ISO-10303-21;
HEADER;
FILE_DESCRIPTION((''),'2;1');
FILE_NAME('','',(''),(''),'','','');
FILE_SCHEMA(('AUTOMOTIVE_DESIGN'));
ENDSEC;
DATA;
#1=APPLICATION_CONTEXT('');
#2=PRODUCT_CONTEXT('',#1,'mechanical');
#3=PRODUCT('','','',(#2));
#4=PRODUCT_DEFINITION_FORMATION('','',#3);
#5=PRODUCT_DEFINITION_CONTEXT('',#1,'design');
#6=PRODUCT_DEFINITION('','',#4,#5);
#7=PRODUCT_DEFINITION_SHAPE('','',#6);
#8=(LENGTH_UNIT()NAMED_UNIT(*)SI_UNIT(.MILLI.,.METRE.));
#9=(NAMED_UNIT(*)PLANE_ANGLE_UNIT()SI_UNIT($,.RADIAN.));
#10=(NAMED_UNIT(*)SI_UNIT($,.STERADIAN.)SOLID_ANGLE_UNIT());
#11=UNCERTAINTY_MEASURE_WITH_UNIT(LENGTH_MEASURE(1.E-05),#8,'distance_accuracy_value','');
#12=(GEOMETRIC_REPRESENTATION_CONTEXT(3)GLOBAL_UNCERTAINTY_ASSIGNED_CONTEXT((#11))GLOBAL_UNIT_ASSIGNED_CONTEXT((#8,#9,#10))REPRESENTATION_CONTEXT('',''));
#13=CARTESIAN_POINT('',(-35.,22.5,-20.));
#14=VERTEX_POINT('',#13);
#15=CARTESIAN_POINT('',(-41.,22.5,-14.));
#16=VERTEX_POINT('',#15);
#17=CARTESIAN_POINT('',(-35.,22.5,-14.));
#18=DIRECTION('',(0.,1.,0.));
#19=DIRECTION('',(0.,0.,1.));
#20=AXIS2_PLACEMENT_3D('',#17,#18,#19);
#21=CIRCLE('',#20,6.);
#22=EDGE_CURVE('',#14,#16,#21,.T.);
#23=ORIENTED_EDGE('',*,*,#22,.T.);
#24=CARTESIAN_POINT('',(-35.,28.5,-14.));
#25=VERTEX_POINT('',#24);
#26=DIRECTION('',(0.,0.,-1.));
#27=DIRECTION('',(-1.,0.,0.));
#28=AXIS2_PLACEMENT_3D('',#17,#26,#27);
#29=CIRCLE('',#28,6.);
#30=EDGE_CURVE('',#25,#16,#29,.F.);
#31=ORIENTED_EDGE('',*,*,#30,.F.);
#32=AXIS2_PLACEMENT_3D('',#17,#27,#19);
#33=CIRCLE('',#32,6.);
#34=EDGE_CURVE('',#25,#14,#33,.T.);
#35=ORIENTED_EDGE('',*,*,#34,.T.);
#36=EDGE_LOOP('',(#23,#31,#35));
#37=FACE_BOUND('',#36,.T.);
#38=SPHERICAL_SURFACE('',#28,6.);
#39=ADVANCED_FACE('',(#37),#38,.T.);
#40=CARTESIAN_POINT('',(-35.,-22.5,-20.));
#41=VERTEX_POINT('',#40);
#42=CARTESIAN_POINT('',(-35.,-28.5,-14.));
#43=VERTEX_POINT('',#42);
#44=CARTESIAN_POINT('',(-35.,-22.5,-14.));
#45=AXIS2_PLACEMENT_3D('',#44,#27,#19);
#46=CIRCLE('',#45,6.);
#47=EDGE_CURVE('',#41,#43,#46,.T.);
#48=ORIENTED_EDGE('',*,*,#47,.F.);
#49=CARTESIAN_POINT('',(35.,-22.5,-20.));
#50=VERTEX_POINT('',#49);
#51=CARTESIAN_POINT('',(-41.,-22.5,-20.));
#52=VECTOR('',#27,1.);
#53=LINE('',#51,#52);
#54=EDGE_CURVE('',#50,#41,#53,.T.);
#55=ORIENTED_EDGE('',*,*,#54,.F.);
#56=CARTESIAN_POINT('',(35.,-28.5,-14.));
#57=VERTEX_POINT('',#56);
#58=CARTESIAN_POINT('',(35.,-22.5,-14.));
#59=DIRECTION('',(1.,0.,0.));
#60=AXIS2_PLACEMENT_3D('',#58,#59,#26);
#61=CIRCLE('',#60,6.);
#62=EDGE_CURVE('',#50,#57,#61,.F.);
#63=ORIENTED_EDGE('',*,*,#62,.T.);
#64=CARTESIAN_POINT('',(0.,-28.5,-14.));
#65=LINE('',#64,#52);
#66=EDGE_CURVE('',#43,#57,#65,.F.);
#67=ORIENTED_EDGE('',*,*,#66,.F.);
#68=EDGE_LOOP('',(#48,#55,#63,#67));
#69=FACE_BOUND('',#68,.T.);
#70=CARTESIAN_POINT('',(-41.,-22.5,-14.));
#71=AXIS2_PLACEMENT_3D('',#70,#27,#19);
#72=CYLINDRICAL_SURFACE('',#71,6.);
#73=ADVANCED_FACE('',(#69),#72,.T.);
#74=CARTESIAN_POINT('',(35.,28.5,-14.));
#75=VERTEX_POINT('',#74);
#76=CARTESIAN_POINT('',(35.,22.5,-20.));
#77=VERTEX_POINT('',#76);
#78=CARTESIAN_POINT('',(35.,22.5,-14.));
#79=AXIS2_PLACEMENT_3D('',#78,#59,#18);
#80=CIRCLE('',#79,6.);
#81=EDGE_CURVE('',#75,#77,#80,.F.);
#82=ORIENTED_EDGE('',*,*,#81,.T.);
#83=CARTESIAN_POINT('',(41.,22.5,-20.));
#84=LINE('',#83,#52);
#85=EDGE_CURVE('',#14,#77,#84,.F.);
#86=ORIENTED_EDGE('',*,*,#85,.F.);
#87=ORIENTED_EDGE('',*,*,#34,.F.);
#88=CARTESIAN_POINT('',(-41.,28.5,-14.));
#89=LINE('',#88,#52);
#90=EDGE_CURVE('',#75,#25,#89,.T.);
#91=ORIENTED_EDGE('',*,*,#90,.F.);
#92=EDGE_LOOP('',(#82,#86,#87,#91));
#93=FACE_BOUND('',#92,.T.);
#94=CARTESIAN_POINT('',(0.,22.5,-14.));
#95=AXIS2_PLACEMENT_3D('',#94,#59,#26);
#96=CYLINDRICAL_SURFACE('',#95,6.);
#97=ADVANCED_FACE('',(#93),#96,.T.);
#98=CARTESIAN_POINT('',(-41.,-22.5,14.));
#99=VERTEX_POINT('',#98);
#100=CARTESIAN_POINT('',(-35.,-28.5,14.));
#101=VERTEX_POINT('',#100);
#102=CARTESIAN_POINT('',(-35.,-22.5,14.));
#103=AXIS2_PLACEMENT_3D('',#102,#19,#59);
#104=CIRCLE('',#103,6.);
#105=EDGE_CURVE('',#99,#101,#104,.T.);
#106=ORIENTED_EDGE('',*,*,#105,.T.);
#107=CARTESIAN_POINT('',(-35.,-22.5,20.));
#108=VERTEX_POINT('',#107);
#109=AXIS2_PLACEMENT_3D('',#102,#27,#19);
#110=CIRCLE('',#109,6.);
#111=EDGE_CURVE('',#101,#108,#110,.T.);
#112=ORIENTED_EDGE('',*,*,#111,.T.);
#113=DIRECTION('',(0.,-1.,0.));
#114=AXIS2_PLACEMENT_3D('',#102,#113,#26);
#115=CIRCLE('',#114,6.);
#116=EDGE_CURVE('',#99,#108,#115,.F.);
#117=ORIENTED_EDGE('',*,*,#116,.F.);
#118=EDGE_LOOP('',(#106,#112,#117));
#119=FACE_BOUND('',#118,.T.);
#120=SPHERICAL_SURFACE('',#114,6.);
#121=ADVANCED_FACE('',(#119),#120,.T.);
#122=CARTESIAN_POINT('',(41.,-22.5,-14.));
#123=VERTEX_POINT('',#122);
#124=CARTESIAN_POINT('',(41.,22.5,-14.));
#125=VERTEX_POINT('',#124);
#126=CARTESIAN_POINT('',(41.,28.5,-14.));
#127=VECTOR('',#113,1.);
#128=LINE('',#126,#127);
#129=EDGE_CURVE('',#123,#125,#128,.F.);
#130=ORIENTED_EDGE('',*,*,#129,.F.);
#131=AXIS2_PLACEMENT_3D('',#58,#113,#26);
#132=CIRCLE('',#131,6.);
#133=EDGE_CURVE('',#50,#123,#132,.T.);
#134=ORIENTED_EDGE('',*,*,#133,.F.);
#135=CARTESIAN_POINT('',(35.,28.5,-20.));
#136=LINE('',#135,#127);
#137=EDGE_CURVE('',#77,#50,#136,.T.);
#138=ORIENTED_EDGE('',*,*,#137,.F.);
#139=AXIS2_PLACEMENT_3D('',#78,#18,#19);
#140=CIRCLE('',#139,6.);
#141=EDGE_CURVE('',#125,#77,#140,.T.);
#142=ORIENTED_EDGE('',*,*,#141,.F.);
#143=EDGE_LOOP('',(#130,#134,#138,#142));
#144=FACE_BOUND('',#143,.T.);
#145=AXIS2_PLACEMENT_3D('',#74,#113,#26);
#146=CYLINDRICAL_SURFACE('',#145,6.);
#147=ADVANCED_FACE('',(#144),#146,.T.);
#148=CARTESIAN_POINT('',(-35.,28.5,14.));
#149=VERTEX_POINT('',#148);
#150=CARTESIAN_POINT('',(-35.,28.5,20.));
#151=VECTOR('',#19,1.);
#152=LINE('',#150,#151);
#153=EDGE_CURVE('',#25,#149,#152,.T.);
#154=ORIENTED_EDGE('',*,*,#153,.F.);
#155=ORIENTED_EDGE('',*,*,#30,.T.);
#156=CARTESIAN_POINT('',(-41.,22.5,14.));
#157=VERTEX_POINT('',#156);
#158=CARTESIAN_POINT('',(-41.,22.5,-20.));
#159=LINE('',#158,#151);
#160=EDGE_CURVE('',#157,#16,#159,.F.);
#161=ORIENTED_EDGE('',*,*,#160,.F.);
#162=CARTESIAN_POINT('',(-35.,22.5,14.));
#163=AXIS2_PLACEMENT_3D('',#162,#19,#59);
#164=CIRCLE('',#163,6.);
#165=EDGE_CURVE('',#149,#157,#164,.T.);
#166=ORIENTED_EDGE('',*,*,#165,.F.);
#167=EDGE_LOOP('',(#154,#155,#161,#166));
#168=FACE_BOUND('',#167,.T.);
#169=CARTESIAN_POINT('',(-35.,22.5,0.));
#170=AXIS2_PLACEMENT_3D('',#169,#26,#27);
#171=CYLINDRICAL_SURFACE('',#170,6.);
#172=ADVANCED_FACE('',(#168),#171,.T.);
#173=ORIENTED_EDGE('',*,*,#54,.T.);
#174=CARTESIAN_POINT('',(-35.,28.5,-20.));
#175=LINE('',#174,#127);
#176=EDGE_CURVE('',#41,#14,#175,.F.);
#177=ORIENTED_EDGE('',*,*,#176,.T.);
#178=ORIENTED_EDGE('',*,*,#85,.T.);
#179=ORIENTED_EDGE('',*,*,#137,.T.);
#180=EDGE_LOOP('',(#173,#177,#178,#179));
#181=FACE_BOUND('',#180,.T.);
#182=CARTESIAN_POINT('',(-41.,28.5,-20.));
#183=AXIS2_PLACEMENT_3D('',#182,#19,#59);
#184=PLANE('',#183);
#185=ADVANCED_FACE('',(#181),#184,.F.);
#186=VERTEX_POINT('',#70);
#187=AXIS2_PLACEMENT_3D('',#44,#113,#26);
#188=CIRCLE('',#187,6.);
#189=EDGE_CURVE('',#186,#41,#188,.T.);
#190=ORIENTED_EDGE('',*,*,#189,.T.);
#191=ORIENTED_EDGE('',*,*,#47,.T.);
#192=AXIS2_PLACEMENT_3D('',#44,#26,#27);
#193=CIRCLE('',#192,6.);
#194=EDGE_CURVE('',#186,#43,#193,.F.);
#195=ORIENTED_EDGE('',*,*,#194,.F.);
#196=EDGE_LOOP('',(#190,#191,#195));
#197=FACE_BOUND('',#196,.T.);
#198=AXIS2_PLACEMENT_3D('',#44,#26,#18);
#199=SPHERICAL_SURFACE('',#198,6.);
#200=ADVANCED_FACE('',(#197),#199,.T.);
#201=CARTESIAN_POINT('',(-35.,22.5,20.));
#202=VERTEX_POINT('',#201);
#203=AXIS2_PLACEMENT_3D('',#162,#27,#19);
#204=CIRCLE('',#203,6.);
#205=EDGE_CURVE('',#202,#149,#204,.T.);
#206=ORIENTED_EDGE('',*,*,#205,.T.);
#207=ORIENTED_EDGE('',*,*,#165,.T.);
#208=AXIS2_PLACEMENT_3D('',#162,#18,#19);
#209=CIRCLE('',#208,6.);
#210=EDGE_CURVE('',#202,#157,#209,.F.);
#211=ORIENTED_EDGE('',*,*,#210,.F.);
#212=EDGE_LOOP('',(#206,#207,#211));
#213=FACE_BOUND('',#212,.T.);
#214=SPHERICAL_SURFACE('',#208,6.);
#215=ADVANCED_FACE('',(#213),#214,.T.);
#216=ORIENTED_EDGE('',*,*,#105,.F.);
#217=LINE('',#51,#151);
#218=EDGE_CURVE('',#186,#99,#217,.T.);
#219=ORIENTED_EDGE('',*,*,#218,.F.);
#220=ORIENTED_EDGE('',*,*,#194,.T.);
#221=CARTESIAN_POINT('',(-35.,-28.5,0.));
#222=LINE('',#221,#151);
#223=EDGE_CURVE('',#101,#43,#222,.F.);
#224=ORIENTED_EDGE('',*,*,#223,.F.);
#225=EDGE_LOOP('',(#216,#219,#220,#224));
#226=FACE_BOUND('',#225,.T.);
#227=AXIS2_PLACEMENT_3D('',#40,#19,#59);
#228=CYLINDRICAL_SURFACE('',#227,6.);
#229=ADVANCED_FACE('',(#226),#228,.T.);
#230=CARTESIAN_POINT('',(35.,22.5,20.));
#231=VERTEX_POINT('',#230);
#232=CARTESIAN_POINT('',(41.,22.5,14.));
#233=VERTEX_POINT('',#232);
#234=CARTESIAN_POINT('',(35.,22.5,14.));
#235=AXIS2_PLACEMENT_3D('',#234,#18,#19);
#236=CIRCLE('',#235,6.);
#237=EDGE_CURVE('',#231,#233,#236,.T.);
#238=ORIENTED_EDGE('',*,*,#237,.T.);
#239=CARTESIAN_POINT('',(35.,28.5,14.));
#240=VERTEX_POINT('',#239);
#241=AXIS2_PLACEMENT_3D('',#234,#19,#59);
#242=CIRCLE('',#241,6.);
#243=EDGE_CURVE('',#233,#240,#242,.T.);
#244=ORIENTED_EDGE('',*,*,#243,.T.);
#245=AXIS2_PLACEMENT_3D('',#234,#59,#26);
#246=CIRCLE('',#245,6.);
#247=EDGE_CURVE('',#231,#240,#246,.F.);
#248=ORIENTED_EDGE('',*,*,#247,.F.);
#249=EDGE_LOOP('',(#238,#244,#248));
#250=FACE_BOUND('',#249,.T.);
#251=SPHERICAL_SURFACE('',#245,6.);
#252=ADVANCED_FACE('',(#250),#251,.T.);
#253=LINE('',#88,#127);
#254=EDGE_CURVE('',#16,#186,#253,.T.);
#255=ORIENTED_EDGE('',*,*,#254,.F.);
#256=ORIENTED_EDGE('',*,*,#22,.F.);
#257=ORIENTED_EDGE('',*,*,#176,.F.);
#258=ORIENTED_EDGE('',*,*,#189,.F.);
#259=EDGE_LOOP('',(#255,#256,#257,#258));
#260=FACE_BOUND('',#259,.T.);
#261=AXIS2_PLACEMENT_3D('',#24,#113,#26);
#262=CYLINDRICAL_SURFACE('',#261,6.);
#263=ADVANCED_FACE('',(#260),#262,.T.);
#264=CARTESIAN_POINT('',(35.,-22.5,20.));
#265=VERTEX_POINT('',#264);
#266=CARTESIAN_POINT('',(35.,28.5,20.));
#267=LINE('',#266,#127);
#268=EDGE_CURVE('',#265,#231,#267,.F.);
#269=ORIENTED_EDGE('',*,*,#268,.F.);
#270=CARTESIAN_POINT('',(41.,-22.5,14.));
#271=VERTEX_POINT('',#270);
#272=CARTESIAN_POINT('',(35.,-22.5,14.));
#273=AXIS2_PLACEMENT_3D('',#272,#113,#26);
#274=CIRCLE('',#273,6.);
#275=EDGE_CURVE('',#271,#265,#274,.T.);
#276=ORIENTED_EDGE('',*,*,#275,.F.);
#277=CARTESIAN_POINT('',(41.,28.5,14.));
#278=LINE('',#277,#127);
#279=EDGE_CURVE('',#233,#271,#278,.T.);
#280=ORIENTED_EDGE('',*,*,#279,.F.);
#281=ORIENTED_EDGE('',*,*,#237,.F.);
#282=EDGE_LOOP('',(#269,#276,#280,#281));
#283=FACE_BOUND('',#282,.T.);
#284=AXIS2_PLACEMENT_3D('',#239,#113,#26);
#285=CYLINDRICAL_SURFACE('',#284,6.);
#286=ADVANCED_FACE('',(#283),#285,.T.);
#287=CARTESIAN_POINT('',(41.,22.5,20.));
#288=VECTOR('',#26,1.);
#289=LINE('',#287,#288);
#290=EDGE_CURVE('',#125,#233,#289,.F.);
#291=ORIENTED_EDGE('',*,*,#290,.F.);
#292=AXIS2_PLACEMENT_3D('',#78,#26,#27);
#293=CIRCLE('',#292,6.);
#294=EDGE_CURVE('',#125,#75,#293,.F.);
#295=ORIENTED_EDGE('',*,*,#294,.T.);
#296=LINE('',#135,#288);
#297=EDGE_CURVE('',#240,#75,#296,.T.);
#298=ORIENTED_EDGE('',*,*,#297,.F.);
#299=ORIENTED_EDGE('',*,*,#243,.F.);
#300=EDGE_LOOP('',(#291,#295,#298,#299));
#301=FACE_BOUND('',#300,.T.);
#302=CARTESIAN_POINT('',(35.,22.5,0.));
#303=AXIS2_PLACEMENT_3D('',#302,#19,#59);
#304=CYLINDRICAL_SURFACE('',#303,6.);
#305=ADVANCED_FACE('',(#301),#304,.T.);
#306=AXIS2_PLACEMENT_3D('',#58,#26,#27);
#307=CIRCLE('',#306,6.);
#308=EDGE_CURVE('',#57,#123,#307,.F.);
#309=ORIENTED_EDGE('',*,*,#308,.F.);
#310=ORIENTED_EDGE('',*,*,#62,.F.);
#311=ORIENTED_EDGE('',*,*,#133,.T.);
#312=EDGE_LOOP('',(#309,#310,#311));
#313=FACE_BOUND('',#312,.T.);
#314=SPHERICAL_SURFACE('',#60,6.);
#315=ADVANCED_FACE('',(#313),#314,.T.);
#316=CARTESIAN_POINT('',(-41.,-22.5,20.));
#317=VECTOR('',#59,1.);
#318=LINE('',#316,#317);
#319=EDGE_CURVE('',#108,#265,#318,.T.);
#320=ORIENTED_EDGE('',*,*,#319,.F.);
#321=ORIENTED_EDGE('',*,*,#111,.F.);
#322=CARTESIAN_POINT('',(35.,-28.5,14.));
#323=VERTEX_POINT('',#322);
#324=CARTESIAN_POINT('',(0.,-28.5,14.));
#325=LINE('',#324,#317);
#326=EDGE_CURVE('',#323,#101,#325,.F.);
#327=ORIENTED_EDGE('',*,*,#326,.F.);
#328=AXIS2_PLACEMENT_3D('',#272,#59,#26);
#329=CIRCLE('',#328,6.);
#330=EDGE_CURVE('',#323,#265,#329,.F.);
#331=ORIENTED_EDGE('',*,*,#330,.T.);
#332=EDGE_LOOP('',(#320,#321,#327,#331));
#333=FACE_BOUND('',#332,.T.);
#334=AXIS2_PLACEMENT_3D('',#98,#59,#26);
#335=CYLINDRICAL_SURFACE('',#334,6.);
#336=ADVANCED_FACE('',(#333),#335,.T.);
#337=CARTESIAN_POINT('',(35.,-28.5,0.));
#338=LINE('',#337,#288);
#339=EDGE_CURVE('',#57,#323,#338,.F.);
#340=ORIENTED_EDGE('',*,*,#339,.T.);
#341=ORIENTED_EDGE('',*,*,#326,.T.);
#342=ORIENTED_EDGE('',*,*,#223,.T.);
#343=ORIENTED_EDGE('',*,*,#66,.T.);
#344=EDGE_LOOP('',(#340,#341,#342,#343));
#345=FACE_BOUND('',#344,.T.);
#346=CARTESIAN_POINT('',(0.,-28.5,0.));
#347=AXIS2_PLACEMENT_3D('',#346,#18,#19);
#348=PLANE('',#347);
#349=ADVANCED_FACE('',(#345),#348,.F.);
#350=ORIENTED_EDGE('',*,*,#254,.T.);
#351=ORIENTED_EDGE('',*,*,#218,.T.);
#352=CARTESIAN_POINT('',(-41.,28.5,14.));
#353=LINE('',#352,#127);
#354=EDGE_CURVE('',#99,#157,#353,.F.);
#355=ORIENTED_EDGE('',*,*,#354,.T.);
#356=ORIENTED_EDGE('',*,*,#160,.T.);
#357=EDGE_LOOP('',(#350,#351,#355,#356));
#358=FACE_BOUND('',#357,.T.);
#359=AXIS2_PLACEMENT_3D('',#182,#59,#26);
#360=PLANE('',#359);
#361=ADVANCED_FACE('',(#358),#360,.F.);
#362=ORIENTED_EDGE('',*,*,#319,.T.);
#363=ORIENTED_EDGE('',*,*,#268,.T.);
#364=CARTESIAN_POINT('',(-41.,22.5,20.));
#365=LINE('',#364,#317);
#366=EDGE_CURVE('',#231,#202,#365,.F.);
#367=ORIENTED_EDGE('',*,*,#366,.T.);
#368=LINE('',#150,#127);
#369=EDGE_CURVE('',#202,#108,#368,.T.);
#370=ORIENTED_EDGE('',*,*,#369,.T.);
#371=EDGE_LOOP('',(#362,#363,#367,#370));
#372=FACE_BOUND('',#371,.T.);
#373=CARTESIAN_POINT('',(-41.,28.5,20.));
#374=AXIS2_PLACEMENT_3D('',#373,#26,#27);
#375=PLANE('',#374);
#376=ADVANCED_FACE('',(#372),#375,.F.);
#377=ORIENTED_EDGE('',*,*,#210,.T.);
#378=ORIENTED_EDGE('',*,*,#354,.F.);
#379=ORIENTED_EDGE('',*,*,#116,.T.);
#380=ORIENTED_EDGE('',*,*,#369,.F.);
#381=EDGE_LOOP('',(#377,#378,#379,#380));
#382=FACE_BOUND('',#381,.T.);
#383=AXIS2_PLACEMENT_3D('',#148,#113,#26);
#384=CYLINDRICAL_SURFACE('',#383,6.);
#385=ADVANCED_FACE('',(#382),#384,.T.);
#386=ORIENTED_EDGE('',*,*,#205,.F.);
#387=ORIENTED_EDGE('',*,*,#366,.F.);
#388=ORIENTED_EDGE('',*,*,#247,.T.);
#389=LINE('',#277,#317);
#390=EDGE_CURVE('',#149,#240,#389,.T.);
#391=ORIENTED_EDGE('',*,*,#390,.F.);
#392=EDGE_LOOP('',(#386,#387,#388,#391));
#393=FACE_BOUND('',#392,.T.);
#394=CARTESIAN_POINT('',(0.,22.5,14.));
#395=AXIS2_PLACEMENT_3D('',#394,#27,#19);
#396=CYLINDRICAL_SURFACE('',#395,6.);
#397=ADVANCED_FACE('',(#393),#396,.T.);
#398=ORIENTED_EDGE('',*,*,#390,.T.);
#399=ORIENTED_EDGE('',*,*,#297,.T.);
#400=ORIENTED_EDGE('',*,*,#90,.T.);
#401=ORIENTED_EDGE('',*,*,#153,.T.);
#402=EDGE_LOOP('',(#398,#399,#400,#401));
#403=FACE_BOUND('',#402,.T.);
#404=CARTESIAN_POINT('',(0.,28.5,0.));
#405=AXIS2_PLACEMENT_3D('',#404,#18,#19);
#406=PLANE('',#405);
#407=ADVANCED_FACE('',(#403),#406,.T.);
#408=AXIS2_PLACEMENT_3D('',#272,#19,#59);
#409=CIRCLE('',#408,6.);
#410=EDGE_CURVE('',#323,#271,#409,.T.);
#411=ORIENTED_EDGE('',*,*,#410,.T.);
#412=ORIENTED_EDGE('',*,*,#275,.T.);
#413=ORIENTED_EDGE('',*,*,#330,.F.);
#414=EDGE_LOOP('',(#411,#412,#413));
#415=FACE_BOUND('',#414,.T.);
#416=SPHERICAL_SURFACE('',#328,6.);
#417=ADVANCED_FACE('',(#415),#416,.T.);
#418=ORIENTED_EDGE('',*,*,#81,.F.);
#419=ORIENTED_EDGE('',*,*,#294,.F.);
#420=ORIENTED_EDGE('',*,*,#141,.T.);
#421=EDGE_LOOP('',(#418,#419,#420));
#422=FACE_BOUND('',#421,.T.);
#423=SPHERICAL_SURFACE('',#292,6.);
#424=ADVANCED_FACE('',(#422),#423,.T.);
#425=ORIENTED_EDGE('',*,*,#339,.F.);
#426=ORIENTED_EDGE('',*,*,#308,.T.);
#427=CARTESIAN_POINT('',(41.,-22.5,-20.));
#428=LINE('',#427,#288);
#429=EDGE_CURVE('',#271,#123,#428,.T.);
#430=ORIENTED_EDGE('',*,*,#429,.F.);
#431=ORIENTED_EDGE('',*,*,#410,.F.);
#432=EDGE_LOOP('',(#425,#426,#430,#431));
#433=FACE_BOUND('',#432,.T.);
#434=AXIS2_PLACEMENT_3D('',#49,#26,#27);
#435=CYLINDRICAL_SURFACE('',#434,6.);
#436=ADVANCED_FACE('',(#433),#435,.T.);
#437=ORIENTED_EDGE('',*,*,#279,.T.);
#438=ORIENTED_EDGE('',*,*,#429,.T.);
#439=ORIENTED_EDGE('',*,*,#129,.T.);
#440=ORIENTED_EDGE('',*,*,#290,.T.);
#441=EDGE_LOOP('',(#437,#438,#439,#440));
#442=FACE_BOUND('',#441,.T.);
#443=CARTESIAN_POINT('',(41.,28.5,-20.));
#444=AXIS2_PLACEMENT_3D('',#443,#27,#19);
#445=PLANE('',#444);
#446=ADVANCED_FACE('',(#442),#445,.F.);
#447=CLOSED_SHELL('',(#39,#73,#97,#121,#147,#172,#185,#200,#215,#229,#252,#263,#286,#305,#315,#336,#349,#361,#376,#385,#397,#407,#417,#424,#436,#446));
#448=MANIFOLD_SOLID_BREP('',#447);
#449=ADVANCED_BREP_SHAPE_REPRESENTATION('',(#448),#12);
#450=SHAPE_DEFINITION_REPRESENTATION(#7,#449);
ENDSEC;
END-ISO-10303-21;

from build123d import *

# Parameters (mm, degrees)
SKETCH1_W           = 82
SKETCH1_H           = 40
BOSS_EXTRUDE1_DEPTH = 28.5
FILLET1_R           = 6


with BuildPart() as part:
    # Sketch1 → Boss-Extrude1 (new, symmetric)
    with BuildSketch(Plane(origin=(0, 0, 0), x_dir=(1, 0, 0), z_dir=(0, 1, 0))):
        Rectangle(SKETCH1_W, SKETCH1_H)
    extrude(amount=BOSS_EXTRUDE1_DEPTH, both=True)

    # Fillet1
    fillet1_edges = [part.edges().sort_by_distance(p)[0] for p in [
        (41, 28.5, 0),
        (0, 28.5, -20),
        (-41, 28.5, 0),
        (0, -28.5, -20),
        (41, -28.5, 0),
        (0, -28.5, 20),
        (-41, -28.5, 0),
        (-41, 0, -20),
        (41, 0, -20),
        (41, 0, 20),
        (-41, 0, 20),
        (0, 28.5, 20),
    ]]
    fillet(fillet1_edges, radius=FILLET1_R)


solid = part.part
